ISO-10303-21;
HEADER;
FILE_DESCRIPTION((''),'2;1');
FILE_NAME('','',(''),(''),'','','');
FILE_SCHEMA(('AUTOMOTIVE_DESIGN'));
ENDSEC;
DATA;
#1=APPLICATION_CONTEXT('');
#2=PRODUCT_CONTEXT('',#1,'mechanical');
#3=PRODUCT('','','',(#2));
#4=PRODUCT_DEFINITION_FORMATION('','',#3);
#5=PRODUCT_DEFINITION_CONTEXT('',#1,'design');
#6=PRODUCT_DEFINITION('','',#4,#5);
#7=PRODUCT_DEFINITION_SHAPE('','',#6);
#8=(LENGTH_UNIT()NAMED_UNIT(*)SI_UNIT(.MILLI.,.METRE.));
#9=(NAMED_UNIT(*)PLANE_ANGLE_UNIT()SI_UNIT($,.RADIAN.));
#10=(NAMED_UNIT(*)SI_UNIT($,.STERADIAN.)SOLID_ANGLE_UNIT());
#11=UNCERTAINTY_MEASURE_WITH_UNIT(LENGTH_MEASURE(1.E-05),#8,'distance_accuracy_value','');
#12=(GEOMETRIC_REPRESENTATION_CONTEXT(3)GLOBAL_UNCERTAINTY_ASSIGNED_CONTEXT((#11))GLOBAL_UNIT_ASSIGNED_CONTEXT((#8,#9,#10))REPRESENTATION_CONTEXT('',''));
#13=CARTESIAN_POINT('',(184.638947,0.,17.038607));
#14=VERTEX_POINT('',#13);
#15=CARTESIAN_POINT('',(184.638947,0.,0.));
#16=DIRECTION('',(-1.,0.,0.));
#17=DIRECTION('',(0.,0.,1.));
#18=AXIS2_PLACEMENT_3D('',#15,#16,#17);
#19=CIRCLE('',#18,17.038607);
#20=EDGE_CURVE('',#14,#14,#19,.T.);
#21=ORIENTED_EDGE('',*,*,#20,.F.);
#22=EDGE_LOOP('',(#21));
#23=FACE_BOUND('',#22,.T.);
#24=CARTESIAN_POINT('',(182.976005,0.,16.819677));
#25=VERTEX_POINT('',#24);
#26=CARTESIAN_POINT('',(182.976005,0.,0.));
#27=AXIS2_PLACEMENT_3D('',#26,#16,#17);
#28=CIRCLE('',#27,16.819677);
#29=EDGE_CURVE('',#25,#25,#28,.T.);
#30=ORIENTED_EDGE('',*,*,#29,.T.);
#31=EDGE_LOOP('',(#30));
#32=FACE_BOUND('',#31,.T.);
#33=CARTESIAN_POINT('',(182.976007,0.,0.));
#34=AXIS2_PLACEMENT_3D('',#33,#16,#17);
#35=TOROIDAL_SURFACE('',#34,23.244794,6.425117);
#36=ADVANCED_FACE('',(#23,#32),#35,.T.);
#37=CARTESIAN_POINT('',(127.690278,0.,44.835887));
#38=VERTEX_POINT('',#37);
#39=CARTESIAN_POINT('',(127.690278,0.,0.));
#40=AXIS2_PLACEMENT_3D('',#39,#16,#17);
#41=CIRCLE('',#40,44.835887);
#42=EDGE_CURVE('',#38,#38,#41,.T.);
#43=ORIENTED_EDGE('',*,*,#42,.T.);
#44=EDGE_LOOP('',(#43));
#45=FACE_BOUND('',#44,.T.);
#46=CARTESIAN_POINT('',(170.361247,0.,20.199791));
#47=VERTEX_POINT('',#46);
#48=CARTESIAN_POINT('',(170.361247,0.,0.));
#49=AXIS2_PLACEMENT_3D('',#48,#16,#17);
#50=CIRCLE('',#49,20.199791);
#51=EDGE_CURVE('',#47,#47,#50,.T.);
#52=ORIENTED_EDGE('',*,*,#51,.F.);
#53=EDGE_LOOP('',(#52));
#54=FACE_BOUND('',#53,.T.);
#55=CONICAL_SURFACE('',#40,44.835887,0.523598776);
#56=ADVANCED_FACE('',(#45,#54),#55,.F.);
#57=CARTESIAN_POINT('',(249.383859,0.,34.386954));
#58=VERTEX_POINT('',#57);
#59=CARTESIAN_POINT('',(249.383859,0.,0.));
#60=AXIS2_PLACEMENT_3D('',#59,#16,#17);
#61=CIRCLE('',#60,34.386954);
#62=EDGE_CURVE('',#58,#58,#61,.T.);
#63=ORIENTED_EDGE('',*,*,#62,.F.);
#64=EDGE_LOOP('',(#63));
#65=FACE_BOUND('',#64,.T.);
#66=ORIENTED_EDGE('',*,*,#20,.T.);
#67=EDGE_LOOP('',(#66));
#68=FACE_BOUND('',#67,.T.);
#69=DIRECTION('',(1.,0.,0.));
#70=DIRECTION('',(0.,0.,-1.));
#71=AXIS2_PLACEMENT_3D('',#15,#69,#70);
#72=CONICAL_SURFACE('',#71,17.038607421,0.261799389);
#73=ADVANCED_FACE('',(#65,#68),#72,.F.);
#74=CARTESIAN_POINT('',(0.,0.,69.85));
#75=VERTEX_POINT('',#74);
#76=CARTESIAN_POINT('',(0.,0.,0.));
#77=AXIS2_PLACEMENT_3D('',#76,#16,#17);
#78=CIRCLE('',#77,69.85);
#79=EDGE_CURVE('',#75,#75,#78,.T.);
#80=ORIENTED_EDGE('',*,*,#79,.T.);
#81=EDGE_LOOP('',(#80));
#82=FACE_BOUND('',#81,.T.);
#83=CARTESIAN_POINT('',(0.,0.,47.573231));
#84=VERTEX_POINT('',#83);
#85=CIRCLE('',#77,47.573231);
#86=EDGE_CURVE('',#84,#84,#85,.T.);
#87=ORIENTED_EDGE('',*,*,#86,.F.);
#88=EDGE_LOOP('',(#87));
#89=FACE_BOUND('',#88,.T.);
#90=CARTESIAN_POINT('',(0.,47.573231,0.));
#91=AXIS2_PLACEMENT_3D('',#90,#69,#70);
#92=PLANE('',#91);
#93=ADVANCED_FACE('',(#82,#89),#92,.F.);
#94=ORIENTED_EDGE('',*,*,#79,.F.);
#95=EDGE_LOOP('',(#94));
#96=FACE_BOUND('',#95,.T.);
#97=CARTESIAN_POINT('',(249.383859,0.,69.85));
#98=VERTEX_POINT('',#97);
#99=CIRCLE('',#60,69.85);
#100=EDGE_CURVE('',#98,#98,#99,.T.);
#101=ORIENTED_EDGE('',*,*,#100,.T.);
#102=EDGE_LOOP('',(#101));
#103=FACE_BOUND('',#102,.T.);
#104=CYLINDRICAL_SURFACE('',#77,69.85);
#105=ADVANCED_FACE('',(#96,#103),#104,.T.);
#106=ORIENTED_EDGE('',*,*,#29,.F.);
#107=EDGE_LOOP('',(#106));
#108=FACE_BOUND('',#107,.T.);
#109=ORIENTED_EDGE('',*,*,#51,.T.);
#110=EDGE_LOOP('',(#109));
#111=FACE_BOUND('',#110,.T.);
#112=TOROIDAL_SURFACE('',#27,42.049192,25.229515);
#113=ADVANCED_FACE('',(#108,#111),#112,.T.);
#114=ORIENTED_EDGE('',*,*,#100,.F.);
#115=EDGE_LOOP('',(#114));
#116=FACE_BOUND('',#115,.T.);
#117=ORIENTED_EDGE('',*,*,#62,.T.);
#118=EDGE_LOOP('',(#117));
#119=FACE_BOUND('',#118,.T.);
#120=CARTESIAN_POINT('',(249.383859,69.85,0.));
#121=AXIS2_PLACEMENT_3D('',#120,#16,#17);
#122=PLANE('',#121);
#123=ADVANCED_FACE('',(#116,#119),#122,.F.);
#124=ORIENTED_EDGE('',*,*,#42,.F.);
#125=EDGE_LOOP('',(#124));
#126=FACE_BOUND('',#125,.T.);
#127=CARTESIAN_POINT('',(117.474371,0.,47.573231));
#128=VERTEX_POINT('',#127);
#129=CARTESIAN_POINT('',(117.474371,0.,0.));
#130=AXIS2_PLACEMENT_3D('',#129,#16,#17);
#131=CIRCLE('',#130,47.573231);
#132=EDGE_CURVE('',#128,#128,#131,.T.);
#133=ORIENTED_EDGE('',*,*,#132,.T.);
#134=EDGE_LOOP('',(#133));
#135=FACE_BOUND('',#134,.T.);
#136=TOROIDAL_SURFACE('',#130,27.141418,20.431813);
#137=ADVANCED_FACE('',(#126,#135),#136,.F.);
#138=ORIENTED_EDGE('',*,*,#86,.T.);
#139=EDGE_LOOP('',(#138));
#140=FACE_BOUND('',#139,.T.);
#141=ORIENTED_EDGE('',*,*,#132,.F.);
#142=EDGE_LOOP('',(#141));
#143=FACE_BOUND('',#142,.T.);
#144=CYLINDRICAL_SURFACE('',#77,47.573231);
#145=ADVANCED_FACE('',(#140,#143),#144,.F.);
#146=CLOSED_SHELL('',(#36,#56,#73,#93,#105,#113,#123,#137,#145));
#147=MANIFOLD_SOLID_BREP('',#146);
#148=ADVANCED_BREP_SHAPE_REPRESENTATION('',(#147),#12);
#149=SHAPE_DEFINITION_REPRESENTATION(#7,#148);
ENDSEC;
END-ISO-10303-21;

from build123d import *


with BuildPart() as part:
    # Model → Revolve1 (revolve)
    with BuildSketch(Plane.XY, mode=Mode.PRIVATE) as revolve1_sk:
        with BuildLine():
            Line((0, 47.573231), (117.474371, 47.573231))
            ThreePointArc((117.474371, 47.573231), (122.762513596, 46.877033869), (127.690278, 44.835887))
            Line((127.690278, 44.835887), (170.361247243, 20.199791421))
            ThreePointArc((170.361247243, 20.199791421), (176.44612601, 17.679352192), (182.976005243, 16.819677421))
            ThreePointArc((182.976005243, 16.819677421), (183.814650955, 16.874644956), (184.638947243, 17.038607421))
            Line((184.638947243, 17.038607421), (249.383859243, 34.386954421))
            Line((249.383859243, 34.386954421), (249.383859243, 69.85))
            Line((249.383859243, 69.85), (0, 69.85))
            Line((0, 69.85), (0, 47.573231))
        make_face()
    revolve(revolve1_sk.sketch.rotate(Axis((0, 0, 0), (1, 0, 0)), 90), axis=Axis((0, 0, 0), (1, 0, 0)))


solid = part.part
